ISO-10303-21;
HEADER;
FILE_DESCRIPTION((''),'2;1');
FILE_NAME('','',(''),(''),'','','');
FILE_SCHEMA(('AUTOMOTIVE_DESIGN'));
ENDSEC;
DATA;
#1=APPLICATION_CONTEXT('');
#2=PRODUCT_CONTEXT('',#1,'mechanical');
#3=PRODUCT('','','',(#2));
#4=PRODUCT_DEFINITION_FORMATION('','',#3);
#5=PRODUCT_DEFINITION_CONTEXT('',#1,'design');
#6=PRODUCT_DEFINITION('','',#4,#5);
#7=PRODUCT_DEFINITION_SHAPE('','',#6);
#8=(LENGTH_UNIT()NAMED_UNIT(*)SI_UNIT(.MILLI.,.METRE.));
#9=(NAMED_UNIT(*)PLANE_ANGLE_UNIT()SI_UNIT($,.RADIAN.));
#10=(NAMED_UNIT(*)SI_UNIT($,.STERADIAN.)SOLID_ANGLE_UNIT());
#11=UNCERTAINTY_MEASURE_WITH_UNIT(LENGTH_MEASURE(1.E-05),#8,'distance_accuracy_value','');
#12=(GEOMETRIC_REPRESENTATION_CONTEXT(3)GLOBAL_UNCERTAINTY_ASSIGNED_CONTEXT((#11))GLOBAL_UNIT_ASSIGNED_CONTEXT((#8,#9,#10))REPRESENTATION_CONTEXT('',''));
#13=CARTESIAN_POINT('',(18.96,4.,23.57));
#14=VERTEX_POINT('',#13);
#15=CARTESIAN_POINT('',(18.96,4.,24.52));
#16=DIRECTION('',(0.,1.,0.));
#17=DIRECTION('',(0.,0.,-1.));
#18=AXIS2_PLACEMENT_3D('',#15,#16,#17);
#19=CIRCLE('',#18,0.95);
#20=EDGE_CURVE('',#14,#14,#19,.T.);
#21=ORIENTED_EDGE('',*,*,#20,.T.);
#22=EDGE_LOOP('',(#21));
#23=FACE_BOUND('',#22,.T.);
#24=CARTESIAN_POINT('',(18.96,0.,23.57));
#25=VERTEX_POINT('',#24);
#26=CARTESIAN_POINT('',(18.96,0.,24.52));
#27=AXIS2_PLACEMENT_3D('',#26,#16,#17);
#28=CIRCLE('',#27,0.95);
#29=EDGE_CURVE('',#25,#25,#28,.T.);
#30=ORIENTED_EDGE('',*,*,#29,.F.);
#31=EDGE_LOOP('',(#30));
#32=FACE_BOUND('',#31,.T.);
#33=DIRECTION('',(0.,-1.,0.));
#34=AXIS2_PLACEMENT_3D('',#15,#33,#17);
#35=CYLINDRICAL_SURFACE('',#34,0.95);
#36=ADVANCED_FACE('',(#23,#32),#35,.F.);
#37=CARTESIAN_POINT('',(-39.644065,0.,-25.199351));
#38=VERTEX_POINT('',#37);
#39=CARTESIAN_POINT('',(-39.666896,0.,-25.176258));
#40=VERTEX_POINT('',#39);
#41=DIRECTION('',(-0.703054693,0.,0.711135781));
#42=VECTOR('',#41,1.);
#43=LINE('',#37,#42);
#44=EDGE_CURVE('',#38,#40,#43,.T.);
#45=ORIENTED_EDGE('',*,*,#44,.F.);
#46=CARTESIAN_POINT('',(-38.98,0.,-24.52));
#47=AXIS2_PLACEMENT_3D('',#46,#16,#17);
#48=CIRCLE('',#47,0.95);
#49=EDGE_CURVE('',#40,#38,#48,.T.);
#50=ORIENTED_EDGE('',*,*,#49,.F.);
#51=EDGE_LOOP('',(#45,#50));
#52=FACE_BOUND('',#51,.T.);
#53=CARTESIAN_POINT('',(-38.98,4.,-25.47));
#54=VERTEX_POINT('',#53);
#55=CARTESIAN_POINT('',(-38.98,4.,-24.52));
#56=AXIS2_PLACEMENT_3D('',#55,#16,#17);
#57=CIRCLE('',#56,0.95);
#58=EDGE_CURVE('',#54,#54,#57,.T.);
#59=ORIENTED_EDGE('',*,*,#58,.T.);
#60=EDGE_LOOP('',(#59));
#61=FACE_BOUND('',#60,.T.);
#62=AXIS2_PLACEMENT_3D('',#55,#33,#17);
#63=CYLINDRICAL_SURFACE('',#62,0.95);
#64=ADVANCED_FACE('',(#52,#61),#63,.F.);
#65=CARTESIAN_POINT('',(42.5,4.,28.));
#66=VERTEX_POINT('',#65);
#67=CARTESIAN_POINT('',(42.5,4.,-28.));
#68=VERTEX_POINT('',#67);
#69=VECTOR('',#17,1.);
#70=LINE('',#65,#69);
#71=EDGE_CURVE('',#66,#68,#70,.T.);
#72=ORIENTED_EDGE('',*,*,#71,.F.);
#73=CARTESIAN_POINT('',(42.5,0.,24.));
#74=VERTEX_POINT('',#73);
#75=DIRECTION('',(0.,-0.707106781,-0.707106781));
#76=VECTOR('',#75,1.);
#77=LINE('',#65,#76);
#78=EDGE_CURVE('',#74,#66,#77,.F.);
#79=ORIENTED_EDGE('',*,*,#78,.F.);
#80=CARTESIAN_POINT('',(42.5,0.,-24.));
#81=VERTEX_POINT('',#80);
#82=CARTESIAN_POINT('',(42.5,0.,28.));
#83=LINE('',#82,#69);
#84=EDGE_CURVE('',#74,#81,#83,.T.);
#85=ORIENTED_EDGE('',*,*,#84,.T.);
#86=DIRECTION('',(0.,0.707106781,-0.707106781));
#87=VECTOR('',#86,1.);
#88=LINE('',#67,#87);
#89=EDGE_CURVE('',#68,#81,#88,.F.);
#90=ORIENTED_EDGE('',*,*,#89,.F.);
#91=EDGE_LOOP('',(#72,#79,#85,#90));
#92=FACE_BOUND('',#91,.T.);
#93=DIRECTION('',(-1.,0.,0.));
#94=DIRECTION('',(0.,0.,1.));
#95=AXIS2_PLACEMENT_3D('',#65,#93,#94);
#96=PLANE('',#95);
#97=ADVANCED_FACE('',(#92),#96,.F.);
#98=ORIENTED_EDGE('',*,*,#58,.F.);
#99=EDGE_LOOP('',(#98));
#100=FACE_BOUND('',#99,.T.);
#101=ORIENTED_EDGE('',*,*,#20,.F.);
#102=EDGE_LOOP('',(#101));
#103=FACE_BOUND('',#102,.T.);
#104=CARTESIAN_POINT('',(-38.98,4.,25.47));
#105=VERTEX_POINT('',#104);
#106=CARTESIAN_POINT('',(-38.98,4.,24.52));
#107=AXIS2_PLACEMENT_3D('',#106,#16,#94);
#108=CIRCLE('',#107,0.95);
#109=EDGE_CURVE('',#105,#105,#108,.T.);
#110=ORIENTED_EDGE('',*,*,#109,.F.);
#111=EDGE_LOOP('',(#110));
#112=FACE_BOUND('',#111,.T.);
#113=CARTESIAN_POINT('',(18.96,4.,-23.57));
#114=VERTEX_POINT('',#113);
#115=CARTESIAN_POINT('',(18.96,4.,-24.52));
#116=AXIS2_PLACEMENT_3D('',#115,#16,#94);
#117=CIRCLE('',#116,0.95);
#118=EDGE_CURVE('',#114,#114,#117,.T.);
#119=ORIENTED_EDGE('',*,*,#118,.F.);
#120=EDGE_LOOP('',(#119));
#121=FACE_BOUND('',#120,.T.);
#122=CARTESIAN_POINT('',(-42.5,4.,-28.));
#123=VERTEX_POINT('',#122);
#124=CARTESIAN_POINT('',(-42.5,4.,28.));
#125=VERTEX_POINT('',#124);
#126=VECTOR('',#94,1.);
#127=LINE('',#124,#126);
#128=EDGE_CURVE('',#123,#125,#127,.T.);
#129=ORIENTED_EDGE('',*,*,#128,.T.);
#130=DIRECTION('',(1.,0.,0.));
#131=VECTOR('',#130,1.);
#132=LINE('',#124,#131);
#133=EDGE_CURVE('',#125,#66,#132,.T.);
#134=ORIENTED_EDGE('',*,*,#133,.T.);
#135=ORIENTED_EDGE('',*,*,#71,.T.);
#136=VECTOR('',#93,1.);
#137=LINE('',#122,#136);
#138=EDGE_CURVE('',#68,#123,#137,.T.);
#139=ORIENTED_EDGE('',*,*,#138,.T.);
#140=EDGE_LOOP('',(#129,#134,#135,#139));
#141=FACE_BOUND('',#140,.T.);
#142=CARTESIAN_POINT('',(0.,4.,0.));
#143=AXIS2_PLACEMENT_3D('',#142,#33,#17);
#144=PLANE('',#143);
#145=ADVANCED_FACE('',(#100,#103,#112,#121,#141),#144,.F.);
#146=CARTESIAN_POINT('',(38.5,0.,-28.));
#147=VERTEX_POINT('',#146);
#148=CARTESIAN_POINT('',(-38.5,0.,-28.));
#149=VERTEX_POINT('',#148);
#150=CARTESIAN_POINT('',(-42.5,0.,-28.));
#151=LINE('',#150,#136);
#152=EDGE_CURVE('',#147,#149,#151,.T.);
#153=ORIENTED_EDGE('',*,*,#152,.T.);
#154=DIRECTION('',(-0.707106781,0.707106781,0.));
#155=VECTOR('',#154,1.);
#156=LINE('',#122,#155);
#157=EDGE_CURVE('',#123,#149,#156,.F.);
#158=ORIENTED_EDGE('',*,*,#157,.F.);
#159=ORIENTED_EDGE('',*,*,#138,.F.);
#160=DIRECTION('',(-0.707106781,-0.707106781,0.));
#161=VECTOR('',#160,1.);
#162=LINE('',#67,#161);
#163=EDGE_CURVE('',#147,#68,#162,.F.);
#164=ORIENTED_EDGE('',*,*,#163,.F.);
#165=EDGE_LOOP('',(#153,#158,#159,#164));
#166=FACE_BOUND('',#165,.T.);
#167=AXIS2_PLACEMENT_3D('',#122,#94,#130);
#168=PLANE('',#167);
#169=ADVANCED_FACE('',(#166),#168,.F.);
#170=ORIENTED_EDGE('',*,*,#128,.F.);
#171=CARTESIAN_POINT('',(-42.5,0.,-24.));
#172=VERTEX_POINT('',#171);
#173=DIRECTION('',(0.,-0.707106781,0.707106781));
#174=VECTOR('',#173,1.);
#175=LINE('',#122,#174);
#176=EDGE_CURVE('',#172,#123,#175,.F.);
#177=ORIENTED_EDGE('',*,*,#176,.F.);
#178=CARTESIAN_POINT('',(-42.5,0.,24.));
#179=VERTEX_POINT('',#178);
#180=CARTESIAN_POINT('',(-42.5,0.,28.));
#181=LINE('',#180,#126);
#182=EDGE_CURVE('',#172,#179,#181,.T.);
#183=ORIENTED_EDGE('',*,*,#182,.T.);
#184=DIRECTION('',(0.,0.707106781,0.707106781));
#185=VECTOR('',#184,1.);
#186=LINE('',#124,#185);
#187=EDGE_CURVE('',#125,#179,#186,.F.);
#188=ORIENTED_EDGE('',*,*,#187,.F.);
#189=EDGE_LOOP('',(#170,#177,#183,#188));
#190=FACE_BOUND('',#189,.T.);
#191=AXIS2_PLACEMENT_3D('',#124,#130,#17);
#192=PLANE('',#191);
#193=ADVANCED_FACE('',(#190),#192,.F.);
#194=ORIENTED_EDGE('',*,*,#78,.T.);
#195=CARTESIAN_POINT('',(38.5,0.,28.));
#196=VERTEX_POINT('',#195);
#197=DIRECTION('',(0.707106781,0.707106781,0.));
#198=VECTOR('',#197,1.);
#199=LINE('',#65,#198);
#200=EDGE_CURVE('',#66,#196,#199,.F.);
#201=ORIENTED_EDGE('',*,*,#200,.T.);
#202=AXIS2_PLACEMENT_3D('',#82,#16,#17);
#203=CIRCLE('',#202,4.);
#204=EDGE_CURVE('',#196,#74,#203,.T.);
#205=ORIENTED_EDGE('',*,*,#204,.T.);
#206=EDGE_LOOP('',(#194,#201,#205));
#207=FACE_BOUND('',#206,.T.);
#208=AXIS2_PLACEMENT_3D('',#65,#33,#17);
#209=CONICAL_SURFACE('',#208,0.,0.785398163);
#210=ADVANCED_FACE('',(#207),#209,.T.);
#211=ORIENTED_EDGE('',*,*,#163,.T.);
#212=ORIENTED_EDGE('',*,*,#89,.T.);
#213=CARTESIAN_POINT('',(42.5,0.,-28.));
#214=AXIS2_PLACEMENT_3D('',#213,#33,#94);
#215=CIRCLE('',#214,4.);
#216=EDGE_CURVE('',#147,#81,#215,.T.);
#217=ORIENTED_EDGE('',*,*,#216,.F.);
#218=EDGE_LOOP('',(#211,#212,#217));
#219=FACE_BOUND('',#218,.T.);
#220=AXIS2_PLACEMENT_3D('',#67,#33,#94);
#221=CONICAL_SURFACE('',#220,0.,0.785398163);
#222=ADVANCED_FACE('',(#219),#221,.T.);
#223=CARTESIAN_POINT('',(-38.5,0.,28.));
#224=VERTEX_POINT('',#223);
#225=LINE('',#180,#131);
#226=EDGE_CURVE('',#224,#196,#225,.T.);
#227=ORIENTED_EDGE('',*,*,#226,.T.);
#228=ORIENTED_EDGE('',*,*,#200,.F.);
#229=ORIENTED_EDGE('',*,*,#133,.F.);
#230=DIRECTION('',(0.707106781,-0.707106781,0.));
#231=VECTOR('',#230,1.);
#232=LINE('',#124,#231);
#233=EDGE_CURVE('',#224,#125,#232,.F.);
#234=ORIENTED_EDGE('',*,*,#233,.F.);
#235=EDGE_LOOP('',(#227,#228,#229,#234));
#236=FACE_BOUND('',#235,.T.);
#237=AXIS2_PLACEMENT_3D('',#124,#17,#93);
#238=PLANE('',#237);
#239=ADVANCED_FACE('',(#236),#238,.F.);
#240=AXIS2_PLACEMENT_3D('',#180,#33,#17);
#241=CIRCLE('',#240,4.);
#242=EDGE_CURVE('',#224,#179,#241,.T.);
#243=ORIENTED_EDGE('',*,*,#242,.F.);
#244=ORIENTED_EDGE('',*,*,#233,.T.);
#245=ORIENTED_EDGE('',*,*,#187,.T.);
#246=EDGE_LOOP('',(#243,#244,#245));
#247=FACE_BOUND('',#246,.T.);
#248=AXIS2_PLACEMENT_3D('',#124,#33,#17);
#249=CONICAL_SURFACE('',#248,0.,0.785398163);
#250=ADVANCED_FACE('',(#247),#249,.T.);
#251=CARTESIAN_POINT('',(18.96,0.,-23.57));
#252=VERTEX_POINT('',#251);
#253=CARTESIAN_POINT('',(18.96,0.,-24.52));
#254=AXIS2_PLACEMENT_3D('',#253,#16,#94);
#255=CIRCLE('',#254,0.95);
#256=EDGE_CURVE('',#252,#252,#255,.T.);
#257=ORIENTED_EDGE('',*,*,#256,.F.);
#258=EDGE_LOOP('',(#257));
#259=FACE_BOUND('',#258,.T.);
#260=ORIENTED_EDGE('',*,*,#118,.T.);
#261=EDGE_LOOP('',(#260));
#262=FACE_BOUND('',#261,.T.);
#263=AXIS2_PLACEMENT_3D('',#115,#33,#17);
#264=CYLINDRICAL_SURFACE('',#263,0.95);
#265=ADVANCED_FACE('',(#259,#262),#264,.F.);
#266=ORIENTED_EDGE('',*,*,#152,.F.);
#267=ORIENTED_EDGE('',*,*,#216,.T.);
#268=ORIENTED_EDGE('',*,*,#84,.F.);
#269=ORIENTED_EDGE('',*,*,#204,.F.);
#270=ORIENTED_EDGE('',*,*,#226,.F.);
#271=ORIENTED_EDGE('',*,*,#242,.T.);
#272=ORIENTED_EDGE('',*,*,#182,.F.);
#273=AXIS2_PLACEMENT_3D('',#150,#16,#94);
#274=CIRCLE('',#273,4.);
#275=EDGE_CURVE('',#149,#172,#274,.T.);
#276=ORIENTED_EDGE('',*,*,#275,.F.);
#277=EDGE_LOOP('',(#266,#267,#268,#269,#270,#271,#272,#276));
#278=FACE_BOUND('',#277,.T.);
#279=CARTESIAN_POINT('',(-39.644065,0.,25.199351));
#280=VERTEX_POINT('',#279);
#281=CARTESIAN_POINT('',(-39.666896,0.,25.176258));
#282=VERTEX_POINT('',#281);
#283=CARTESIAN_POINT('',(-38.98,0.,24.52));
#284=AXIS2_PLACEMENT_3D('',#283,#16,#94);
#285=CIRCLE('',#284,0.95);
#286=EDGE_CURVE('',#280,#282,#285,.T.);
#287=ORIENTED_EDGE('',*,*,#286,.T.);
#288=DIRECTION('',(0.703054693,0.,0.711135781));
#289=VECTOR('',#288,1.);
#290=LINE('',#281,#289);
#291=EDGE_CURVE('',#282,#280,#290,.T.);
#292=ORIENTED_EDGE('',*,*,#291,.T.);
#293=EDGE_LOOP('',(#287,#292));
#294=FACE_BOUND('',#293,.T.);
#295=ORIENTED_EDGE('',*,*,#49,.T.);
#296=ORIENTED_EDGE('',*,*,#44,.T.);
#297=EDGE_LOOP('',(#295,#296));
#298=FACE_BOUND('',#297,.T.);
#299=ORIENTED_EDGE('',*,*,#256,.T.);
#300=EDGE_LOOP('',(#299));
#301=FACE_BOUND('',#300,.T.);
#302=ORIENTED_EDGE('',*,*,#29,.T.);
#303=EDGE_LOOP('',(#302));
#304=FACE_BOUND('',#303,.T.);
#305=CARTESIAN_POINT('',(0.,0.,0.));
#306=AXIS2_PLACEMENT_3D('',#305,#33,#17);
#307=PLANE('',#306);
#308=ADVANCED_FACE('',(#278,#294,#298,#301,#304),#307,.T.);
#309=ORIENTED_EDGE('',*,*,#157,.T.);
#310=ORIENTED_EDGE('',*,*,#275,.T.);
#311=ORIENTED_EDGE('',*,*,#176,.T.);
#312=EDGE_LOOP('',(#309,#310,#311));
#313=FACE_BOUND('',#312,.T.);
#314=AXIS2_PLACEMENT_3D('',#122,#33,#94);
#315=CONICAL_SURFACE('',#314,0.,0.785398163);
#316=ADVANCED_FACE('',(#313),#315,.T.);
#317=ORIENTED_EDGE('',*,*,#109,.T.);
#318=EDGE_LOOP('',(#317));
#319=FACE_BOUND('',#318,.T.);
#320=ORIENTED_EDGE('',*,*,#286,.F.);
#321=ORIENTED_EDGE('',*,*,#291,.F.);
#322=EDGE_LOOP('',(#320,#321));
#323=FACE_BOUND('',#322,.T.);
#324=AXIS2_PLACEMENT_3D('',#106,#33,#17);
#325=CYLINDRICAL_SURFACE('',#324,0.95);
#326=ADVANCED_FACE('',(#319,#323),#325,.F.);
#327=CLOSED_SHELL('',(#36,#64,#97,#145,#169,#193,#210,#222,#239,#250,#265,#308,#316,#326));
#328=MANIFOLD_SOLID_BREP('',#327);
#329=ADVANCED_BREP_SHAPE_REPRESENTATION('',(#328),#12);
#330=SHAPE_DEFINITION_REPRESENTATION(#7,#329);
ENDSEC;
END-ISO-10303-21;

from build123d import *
from build123d.topology import SkipClean

# Parameters (mm, degrees)
SKETCH1_W           = 85
SKETCH1_H           = 56
SKETCH1_R           = 0.95
BOSS_EXTRUDE2_DEPTH = 4


with BuildPart() as part:
    # Sketch1 → Boss-Extrude2 (new body)
    with BuildSketch(Plane(origin=(0, 0, 0), x_dir=(1, 0, 0), z_dir=(0, 1, 0))):
        Rectangle(SKETCH1_W, SKETCH1_H)
        with Locations(Location((-38.98, -24.52, 0), (0, 0, 270))):
            Circle(SKETCH1_R, mode=Mode.SUBTRACT)
        with Locations(Location((18.96, -24.52, 0), (0, 0, 90))):
            Circle(SKETCH1_R, mode=Mode.SUBTRACT)
        with Locations(Location((18.96, 24.52, 0), (0, 0, 270))):
            Circle(SKETCH1_R, mode=Mode.SUBTRACT)
        with Locations(Location((-38.98, 24.52, 0), (0, 0, 90))):
            Circle(SKETCH1_R, mode=Mode.SUBTRACT)
    extrude(amount=BOSS_EXTRUDE2_DEPTH)

    # Sketch6 → Revolve1 (revolve)
    with SkipClean():  # the faces are left unmerged after this step: merging them gives an invalid solid
        with BuildSketch(Plane(origin=(-7.25, 0, -7.25), x_dir=(0.7071067811865475, 0, -0.7071067811865477), z_dir=(0.7071067811865477, 0, 0.7071067811865475))):
            Polygon((-49.851028074, 4), (-53.851028074, 0), (-49.851028074, 0), align=None)
        revolve1 = revolve(axis=Axis((-42.5, 0, 28), (0, 1, 0)))

    # Mirror1: Revolve1 across plane
    with SkipClean():  # the faces are left unmerged after this step: merging them gives an invalid solid
        add(revolve1.mirror(Plane(origin=(0, 0, 0), x_dir=(0, 0, 1), z_dir=(1, 0, 0))))

    # Mirror1 at the second plane: Revolve1 across plane
    with SkipClean():  # the faces are left unmerged after this step: merging them gives an invalid solid
        add(revolve1.mirror(Plane.XY))

    # Mirror1 at the second plane copy 1 sketc → Mirror1 at the second plane copy 1 (revolve)
    with SkipClean():  # the faces are left unmerged after this step: merging them gives an invalid solid
        with BuildSketch(Plane(origin=(7.25, 0, 7.25), x_dir=(-0.7071067811865475, 0, 0.7071067811865477), z_dir=(-0.7071067811865477, 0, -0.7071067811865475))):
            Polygon((-49.851028074, 4), (-53.851028074, 0), (-49.851028074, 0), align=None)
        revolve(axis=Axis((42.5, 0, -28), (0, 1, 0)))


solid = part.part
